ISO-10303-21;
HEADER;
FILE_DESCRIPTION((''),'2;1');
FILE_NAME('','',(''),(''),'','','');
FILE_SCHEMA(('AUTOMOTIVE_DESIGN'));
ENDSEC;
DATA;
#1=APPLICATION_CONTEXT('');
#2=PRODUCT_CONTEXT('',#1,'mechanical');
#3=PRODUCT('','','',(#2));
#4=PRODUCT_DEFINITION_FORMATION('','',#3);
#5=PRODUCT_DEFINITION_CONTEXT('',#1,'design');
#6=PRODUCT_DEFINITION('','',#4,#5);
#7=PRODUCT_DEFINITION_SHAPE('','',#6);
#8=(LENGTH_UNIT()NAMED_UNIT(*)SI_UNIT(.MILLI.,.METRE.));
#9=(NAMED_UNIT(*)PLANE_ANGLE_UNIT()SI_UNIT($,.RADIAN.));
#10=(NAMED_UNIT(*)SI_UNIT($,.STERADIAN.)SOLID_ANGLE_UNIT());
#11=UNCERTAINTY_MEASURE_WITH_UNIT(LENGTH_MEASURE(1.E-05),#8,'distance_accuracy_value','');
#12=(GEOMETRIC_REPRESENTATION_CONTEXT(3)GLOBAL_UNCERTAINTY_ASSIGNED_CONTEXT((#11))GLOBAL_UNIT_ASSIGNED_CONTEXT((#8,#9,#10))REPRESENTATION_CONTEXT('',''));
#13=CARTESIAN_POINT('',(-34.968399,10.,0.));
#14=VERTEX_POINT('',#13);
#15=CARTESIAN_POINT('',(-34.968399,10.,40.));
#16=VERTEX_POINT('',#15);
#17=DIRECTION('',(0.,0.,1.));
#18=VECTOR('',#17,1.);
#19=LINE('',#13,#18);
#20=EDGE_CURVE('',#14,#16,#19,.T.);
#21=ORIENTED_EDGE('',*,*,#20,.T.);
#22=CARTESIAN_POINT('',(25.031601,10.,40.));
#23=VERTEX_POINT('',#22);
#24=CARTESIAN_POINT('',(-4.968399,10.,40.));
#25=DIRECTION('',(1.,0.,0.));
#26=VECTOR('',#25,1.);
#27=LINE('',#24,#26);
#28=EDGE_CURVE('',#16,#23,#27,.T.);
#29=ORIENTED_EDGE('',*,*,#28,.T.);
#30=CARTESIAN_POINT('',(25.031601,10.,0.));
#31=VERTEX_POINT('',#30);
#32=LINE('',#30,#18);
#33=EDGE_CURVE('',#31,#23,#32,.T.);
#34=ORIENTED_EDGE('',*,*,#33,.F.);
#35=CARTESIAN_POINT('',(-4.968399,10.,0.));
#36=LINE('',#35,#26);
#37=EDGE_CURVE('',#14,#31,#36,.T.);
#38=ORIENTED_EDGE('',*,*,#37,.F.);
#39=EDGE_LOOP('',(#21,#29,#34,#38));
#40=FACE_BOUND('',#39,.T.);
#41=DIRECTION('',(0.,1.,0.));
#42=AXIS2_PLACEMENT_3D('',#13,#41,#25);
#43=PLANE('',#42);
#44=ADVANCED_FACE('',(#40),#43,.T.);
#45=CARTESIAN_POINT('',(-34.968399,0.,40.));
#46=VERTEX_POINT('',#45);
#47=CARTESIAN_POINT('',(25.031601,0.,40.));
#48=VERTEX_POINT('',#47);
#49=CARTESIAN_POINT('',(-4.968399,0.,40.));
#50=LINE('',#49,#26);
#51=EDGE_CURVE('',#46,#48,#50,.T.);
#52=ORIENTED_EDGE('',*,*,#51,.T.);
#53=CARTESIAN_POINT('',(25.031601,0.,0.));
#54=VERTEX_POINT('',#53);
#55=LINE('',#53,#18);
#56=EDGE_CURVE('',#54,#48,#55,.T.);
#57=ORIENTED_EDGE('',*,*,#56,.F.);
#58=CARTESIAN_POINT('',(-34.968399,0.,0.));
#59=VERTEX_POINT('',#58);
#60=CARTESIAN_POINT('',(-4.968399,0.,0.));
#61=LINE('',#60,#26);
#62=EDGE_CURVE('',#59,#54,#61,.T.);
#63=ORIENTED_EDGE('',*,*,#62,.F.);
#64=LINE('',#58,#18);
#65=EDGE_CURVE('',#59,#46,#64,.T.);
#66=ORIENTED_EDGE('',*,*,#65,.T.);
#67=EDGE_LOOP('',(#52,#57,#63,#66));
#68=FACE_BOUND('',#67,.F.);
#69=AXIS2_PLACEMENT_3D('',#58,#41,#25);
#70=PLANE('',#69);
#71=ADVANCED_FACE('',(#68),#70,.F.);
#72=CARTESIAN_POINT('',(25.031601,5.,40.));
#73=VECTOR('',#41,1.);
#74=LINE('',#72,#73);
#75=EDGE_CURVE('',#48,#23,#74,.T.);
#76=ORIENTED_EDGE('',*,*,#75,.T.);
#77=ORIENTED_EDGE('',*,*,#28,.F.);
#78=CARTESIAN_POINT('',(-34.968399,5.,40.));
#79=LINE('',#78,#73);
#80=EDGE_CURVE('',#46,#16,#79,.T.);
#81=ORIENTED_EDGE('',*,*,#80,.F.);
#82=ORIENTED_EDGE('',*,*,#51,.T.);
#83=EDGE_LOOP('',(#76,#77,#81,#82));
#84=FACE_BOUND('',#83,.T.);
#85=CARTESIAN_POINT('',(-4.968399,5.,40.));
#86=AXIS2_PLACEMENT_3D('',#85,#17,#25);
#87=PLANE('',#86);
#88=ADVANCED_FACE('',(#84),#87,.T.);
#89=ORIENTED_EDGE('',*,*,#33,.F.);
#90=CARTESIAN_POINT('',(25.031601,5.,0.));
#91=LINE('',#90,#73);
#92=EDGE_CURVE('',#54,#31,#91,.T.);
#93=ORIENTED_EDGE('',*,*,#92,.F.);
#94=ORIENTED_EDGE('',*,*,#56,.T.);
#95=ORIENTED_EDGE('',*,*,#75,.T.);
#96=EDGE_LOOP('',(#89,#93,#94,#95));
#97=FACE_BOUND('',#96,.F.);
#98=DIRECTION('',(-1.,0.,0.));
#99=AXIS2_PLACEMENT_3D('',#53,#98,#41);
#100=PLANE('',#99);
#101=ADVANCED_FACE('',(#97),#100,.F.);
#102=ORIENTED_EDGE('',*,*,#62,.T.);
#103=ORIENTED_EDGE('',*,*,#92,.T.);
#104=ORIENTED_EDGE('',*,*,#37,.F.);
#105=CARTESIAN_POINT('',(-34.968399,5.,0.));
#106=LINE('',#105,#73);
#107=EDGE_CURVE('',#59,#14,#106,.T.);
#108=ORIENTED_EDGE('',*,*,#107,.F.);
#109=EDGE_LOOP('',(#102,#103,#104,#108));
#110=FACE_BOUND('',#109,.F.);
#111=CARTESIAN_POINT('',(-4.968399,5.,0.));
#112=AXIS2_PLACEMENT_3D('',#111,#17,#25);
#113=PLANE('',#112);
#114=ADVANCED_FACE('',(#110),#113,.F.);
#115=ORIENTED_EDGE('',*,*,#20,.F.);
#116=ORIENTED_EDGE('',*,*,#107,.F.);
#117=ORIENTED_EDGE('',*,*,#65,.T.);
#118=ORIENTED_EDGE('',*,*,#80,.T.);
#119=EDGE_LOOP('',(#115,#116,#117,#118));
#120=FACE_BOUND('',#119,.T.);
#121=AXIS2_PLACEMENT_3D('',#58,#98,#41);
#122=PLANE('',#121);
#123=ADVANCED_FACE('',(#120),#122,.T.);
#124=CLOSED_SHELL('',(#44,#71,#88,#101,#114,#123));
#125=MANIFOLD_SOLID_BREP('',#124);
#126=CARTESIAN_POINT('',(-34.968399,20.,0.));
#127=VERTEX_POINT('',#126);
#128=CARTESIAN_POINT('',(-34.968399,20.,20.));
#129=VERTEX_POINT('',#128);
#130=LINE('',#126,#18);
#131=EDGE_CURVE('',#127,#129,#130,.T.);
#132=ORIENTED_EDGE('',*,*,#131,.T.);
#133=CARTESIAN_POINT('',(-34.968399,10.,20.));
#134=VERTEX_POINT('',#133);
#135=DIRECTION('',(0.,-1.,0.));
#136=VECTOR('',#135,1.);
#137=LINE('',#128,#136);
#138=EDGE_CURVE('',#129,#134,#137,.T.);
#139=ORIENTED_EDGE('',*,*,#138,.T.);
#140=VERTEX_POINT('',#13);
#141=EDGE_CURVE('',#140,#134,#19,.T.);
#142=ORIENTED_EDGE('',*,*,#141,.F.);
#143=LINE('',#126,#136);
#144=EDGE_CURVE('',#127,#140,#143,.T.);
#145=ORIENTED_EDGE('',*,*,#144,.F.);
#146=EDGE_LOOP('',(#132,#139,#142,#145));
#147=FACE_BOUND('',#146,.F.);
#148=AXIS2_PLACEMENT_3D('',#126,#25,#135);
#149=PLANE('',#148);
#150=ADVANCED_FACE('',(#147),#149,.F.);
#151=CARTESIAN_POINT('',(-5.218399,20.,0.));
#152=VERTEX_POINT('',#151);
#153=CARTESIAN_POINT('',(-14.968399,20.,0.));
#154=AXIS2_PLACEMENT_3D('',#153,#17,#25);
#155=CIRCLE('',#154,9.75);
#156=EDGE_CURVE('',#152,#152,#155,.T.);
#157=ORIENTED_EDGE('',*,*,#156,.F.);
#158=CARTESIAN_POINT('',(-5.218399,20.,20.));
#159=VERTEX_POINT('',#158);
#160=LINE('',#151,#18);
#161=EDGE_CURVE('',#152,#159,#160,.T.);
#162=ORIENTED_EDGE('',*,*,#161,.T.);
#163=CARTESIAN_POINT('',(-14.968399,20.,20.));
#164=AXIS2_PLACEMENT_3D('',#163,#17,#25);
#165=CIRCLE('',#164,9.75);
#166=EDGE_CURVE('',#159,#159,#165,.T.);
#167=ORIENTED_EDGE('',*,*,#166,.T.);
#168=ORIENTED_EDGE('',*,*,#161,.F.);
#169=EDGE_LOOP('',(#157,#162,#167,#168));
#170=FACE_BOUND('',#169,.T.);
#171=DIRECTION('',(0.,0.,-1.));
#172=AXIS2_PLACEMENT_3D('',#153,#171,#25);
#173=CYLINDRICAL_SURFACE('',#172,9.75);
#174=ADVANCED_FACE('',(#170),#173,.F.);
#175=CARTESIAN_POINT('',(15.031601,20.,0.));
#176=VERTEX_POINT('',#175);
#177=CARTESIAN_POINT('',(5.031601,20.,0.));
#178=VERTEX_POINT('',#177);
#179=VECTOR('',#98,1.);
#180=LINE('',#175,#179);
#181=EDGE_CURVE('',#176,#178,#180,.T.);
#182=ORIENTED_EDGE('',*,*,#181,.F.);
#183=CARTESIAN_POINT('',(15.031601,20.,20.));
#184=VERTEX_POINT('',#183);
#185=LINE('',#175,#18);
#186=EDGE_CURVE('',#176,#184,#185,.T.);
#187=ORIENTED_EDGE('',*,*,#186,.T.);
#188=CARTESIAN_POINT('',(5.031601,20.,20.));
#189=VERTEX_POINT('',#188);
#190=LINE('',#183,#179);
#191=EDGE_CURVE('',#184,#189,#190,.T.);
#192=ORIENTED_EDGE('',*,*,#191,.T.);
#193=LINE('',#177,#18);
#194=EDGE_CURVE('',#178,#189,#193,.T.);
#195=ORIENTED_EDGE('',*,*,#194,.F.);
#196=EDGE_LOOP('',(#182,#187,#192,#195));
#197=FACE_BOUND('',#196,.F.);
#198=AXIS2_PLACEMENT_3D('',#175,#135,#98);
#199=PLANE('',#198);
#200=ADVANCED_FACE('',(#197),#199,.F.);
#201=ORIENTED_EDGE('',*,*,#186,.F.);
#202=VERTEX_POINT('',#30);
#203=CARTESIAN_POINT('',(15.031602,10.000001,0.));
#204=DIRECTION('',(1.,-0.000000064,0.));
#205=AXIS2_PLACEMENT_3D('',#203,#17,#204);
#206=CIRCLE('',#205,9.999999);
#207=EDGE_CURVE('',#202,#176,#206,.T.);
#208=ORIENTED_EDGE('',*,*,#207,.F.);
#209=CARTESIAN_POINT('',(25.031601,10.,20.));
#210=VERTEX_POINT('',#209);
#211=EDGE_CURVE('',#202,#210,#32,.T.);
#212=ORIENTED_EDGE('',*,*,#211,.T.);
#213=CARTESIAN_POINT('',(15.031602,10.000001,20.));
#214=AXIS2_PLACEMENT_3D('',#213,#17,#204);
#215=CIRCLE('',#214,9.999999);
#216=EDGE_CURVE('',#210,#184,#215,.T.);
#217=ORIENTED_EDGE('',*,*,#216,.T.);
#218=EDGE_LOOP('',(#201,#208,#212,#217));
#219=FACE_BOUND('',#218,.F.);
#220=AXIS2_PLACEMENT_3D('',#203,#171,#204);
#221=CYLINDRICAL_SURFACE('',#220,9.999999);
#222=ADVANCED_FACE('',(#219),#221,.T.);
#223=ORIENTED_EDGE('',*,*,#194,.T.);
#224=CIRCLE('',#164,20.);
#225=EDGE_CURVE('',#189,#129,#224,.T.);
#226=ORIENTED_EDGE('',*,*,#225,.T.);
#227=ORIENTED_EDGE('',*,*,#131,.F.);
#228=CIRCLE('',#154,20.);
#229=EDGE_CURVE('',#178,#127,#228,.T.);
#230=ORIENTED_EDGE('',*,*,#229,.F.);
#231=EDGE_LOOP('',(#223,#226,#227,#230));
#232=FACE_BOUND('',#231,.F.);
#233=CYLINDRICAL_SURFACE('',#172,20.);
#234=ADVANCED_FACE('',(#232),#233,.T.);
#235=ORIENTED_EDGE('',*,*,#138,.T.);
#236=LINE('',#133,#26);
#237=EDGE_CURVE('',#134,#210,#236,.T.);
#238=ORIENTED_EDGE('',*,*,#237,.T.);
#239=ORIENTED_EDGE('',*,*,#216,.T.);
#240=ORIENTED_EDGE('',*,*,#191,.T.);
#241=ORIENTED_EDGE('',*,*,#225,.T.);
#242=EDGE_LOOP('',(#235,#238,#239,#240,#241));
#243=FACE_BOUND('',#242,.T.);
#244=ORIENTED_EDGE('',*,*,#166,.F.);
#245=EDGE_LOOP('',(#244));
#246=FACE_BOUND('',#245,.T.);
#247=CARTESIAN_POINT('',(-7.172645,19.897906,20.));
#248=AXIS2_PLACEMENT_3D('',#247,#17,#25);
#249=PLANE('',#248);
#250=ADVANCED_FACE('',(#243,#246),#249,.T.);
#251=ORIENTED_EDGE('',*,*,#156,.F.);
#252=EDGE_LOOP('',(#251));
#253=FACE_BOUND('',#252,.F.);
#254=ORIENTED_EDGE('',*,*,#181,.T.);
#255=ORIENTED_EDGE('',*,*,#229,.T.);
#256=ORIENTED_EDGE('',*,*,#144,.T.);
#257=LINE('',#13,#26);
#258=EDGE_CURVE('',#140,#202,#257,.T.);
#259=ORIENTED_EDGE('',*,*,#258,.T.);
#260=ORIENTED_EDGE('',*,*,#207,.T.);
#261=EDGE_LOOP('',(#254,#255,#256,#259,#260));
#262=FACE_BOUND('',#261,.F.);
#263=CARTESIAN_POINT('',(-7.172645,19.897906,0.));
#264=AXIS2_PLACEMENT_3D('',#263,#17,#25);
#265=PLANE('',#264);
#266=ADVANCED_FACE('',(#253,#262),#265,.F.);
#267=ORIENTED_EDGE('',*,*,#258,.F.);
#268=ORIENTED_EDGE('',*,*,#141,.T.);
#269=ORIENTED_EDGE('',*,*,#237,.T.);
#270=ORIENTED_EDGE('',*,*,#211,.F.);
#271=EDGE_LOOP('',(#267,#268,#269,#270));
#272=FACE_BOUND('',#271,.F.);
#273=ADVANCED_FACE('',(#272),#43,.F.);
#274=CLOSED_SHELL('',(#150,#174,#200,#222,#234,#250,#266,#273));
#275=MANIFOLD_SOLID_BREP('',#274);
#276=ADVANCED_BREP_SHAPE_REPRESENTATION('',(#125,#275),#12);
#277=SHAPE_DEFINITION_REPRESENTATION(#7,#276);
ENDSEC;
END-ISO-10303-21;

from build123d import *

# Parameters (mm, degrees)
F0_W     = 60
F0_H     = 10
F1_DEPTH = 40
F0_R     = 9.75
F2_DEPTH = 20


with BuildPart() as f1:
    # F0 (on Top) → F1 (new body)
    with BuildSketch(Plane.XY):
        with Locations((-4.968399, 5)):
            Rectangle(F0_W, F0_H)
    extrude(amount=F1_DEPTH)


with BuildPart() as f2:
    # F0 (on Top) → F2 (new body)
    with BuildSketch(Plane.XY):
        with BuildLine():
            Line((-34.968399, 20), (-34.968399, 10))
            Line((-34.968399, 10), (25.031601, 10))
            ThreePointArc((25.031601, 10), (22.102669, 17.071068), (15.031601, 20))
            Line((15.031601, 20), (5.031601, 20))
            ThreePointArc((5.031601, 20), (-14.968399, 40), (-34.968399, 20))
        make_face()
        with Locations((-14.968399, 20)):
            Circle(F0_R, mode=Mode.SUBTRACT)
    extrude(amount=F2_DEPTH)


solid = Compound([f1.part, f2.part])
